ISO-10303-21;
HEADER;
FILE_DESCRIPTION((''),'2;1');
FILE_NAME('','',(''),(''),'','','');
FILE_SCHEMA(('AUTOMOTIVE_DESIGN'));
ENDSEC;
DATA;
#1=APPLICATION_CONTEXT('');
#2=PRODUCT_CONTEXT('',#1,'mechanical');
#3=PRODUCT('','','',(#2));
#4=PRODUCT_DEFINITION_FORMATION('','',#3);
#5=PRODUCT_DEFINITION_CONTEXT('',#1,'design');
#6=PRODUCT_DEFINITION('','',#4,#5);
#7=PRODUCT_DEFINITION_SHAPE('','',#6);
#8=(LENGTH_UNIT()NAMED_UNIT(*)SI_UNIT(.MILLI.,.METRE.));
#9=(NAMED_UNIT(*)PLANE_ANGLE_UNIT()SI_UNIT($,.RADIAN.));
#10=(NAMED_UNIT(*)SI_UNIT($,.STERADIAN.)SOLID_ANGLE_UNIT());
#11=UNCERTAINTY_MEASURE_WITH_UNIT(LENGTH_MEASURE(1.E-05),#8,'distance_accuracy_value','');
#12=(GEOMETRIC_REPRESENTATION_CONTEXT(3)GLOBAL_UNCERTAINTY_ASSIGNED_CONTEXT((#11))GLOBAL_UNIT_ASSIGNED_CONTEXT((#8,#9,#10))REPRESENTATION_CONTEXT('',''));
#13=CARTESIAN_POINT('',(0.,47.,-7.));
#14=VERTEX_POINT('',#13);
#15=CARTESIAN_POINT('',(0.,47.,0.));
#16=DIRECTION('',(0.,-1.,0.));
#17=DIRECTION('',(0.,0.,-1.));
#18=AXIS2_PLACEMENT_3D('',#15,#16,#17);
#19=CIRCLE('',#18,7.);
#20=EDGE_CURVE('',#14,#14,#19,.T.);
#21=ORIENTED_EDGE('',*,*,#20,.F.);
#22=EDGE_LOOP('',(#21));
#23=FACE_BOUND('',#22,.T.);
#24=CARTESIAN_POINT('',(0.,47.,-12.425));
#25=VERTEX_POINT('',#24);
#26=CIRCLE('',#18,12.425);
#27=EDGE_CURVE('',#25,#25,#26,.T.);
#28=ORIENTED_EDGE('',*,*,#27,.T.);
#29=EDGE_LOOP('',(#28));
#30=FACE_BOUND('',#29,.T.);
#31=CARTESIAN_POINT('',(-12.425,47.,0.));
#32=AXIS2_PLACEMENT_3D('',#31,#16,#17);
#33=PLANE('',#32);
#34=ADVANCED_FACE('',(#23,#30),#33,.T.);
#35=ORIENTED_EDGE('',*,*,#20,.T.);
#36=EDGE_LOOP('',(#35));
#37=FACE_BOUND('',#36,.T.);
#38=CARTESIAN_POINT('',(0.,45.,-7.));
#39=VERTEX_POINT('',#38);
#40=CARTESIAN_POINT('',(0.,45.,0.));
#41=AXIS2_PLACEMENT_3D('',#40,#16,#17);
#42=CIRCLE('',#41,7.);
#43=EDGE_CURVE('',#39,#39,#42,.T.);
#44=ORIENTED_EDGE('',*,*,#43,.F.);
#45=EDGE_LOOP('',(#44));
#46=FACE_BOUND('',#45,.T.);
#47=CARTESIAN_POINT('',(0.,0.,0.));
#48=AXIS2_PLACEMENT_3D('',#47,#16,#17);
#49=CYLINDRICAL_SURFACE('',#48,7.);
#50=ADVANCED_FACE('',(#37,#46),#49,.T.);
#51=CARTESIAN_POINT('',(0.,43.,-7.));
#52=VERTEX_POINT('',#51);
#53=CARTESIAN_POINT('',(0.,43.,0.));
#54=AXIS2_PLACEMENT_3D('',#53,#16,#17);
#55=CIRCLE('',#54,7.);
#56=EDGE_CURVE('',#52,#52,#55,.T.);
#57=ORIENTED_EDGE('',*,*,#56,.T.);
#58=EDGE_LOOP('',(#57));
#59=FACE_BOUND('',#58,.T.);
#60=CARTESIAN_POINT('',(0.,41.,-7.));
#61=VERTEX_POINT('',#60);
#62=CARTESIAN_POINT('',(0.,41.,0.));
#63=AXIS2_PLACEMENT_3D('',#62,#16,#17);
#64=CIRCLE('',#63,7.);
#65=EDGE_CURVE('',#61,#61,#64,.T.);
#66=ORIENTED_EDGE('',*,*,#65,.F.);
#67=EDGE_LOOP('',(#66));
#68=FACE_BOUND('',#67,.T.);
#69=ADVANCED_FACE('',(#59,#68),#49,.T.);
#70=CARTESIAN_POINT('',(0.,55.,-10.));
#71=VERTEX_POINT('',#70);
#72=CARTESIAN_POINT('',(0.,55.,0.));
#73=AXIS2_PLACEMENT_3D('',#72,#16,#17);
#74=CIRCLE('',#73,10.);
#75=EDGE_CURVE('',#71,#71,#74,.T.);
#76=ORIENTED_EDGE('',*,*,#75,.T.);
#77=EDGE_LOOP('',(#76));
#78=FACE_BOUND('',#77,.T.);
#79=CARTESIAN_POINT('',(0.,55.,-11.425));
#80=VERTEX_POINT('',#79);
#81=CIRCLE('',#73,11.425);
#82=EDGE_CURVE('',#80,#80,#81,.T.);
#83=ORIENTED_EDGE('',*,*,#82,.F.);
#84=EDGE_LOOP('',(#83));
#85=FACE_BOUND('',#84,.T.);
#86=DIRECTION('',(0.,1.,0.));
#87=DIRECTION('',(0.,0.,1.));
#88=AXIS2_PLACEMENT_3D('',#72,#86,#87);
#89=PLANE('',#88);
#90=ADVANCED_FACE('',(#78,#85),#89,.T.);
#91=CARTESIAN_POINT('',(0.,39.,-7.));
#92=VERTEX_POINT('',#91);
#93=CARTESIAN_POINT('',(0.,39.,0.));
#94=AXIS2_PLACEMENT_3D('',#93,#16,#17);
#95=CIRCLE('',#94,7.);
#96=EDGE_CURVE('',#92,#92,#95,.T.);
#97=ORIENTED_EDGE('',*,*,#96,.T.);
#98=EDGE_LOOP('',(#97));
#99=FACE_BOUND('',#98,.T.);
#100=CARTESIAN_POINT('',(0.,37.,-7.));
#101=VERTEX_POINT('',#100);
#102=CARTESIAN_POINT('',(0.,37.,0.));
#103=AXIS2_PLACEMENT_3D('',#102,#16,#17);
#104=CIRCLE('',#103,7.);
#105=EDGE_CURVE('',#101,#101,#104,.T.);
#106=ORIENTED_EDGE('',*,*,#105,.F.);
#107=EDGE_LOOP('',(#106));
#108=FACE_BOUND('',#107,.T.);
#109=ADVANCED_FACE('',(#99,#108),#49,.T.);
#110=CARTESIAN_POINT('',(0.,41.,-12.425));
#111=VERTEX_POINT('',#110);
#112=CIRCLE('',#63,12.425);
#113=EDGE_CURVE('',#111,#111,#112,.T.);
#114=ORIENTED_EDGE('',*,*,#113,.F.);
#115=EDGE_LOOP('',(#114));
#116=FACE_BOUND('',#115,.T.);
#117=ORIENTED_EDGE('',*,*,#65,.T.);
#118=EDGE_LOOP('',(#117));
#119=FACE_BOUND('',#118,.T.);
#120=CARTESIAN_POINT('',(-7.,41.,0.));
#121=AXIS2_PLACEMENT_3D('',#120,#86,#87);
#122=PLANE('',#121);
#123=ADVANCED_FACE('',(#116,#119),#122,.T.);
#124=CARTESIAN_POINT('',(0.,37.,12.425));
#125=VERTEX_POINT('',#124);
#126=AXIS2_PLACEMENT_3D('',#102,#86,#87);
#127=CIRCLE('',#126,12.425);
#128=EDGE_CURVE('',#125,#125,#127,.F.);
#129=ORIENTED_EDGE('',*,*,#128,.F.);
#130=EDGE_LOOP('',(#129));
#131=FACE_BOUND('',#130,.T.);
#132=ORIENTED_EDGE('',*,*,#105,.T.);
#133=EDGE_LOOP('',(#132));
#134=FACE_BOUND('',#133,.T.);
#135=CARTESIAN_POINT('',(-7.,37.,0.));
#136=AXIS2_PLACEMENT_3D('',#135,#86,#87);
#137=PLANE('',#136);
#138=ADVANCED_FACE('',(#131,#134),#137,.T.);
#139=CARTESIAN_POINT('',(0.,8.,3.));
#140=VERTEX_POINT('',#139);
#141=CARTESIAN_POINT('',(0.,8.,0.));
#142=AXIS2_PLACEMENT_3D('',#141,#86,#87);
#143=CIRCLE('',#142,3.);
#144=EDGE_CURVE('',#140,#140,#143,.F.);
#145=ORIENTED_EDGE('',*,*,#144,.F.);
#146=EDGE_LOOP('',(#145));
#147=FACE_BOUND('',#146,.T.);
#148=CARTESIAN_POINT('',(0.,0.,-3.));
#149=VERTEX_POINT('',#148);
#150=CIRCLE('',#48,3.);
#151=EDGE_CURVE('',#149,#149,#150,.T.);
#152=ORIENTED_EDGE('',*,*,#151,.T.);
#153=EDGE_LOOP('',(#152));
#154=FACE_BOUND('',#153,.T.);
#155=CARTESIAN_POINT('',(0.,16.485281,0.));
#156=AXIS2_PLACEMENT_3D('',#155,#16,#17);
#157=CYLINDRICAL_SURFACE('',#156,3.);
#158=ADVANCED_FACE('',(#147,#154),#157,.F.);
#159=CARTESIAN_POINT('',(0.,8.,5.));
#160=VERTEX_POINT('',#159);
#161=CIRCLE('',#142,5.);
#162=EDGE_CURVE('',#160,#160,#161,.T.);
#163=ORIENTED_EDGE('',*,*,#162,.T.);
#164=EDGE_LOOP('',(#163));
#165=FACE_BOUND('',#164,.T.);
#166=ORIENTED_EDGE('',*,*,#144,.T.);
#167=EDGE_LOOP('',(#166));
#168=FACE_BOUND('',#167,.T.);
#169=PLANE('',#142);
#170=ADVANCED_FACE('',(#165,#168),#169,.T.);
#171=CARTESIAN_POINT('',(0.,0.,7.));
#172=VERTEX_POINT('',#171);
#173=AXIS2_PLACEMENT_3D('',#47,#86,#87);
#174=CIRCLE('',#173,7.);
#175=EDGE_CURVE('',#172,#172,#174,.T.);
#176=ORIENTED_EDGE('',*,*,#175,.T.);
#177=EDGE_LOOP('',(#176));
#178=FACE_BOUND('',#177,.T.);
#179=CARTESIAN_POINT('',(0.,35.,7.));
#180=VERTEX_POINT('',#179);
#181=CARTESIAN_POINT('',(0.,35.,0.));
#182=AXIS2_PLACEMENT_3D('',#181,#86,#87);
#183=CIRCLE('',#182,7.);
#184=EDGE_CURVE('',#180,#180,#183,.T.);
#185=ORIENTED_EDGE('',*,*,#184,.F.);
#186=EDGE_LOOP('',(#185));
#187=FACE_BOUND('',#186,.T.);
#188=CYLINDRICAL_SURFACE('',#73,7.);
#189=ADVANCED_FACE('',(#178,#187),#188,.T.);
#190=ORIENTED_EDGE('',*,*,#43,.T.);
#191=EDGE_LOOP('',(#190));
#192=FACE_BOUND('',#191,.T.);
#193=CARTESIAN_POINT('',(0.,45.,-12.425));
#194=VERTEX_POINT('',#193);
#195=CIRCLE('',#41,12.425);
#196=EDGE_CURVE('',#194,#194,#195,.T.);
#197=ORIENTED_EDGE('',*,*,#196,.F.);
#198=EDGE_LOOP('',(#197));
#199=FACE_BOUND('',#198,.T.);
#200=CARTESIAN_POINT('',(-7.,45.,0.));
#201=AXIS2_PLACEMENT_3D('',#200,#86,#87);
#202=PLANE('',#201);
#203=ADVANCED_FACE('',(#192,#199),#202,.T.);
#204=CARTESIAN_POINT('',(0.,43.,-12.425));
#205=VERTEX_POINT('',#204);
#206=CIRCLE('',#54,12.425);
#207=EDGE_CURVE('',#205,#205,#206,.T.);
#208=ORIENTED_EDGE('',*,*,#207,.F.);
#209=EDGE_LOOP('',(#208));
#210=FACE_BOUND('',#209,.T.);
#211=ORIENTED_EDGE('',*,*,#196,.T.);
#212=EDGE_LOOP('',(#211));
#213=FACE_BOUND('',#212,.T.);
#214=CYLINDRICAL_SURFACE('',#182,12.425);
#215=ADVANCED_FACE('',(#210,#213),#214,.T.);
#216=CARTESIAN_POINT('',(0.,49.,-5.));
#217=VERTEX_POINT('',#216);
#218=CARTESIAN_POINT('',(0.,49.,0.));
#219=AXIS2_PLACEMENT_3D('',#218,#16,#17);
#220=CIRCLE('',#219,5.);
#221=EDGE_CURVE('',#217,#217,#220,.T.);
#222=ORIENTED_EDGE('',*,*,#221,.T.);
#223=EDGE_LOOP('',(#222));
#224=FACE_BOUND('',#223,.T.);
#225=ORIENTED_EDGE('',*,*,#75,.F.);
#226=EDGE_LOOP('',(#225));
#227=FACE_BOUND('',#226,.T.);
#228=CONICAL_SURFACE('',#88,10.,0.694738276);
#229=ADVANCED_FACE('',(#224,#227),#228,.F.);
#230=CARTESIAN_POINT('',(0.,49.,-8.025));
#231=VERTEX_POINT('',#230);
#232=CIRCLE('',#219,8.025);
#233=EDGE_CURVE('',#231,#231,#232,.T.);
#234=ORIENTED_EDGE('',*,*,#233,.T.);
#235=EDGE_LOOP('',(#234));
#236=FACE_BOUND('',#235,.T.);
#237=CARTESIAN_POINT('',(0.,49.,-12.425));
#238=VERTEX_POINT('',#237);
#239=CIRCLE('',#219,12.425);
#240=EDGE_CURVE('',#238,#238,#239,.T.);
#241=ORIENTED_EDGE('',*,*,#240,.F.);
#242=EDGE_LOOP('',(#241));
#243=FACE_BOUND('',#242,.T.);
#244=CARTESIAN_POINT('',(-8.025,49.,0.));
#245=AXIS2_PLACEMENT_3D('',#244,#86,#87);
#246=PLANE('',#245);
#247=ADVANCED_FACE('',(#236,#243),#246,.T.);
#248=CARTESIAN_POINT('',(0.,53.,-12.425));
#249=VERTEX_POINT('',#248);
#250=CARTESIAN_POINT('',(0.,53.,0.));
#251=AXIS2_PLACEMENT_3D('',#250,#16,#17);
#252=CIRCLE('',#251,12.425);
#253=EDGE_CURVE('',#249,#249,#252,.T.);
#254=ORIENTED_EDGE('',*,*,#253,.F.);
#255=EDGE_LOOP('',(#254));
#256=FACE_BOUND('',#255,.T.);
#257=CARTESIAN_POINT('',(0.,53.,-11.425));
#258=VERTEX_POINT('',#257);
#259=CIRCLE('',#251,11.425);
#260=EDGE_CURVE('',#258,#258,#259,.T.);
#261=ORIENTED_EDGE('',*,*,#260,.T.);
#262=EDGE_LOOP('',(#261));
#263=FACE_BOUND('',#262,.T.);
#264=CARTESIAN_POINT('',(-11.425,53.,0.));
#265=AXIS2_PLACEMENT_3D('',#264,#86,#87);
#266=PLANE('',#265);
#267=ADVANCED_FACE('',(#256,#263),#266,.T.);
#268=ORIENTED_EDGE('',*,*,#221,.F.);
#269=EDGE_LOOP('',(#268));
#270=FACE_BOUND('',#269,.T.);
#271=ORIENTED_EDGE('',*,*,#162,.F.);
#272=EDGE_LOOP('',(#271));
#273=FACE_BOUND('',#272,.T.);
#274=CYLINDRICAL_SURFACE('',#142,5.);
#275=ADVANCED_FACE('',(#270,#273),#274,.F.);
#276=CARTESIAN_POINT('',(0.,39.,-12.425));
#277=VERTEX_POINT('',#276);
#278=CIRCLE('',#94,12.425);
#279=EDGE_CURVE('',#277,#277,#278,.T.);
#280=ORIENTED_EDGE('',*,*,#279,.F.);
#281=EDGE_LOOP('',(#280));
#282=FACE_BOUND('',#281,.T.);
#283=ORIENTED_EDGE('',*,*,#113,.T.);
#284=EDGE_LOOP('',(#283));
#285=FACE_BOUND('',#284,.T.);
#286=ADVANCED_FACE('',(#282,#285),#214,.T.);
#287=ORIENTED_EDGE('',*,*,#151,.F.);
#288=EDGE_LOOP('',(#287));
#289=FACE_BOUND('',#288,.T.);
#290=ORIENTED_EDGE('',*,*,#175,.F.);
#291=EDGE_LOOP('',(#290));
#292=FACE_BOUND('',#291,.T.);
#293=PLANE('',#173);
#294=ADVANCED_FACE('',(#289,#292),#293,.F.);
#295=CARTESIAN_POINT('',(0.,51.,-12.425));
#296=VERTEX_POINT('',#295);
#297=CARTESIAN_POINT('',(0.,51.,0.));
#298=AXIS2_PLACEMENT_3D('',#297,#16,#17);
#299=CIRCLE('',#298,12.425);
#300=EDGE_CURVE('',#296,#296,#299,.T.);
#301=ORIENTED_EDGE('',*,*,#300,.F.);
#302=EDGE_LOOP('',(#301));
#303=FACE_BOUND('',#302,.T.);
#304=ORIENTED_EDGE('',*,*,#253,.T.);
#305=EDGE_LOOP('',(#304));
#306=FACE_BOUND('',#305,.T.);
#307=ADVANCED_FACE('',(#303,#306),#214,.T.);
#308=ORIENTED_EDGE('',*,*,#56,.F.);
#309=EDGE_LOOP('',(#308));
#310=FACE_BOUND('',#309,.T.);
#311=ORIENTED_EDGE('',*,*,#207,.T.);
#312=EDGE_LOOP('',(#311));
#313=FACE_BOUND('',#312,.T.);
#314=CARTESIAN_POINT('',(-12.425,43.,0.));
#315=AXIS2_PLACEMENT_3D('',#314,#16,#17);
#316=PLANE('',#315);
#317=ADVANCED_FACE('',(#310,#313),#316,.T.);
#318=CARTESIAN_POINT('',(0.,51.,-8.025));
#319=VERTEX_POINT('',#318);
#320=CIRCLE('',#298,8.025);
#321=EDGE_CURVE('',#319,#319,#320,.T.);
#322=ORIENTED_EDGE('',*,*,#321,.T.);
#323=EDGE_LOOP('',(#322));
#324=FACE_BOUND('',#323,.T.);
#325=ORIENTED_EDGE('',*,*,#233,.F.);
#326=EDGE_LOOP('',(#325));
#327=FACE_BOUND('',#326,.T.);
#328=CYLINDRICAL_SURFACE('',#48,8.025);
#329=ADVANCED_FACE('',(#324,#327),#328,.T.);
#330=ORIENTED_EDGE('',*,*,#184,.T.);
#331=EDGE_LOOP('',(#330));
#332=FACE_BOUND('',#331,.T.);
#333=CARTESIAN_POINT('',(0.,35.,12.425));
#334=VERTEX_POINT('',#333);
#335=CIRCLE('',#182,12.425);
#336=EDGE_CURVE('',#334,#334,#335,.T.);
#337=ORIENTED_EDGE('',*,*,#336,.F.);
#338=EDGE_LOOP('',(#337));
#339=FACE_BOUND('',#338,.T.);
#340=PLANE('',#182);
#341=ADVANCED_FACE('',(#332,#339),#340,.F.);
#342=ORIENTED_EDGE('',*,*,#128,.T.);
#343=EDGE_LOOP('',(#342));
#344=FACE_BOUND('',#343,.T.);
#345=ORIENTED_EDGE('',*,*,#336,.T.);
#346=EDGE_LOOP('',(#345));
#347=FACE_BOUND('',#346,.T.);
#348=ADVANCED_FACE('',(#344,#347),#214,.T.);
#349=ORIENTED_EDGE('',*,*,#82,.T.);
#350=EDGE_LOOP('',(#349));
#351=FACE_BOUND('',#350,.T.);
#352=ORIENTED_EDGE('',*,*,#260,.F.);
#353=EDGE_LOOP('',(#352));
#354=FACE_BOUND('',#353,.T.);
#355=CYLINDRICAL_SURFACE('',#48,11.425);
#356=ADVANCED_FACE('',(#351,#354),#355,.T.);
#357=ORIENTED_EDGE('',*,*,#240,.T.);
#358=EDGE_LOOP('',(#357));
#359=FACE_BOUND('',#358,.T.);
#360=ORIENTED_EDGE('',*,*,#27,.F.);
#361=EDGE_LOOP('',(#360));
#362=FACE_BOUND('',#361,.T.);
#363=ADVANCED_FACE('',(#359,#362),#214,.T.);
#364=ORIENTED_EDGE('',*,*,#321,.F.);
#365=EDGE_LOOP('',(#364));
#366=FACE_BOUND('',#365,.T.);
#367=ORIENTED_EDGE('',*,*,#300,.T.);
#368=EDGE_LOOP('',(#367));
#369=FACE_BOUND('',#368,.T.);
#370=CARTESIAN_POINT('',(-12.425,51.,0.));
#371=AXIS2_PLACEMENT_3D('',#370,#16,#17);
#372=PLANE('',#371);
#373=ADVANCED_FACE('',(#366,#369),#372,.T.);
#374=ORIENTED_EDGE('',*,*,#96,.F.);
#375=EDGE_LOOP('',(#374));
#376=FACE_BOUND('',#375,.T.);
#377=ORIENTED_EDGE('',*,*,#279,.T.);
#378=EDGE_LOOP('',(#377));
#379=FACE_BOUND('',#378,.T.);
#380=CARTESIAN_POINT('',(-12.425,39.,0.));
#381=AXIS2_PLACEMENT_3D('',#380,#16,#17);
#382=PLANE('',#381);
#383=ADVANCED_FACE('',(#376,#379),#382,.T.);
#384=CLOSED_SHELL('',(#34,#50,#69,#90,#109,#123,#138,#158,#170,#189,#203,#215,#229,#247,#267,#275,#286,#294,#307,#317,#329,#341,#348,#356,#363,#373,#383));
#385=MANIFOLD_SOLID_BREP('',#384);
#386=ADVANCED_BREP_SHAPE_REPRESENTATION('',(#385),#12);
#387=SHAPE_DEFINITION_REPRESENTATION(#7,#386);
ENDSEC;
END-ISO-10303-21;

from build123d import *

# Parameters (mm, degrees)
CROQUIS2_R              = 7
SALIENTE_EXTRUIR1_DEPTH = 55
CROQUIS3_R              = 12.425
SALIENTE_EXTRUIR2_DEPTH = 20
CROQUIS4_R              = 5
CORTAR_EXTRUIR1_DEPTH   = 47
CROQUIS7_R              = 3
CORTAR_EXTRUIR2_DEPTH   = 8


with BuildPart() as part:
    # Croquis2 → Saliente-Extruir1 (new body)
    with BuildSketch(Plane(origin=(0, 0, 0), x_dir=(1, 0, 0), z_dir=(0, 1, 0))):
        with Locations(Location((0, 0, 0), (0, 0, 270))):
            Circle(CROQUIS2_R)
    extrude(amount=SALIENTE_EXTRUIR1_DEPTH)

    # Croquis3 → Saliente-Extruir2 (add)
    with BuildSketch(Plane(origin=(0, 55, 0), x_dir=(1, 0, 0), z_dir=(0, 1, 0))):
        with Locations(Location((0, 0, 0), (0, 0, 270))):
            Circle(CROQUIS3_R)
    extrude(amount=-SALIENTE_EXTRUIR2_DEPTH)

    # Croquis4 → Cortar-Extruir1 (cut)
    with BuildSketch(Plane(origin=(0, 55, 0), x_dir=(1, 0, 0), z_dir=(0, 1, 0))):
        with Locations(Location((0, 0, 0), (0, 0, 270))):
            Circle(CROQUIS4_R)
    extrude(amount=-CORTAR_EXTRUIR1_DEPTH, mode=Mode.SUBTRACT)

    # Croquis7 → Cortar-Extruir2 (cut)
    with BuildSketch(Plane.XZ):
        with Locations(Location((0, 0, 0), (0, 0, 270))):
            Circle(CROQUIS7_R)
    extrude(amount=-CORTAR_EXTRUIR2_DEPTH, mode=Mode.SUBTRACT)

    # Croquis5 → Cortar-Revolución1 (revolve, cut)
    with BuildSketch(Plane.XY, mode=Mode.PRIVATE) as cortar_revoluci_n1_sk:
        Polygon((-5, 49), (0, 49), (0, 63.271347918), (-20.39383665, 63.271347918), (-20.39383665, 37), (-12.425, 37), (-7, 37), (-7, 39), (-12.425, 39), (-12.425, 41), (-7, 41), (-7, 43), (-12.425, 43), (-12.425, 45), (-7, 45), (-7, 47), (-12.425, 47), (-12.425, 49), (-8.025, 49), (-8.025, 51), (-12.425, 51), (-12.425, 53), (-11.425, 53), (-11.425, 55), (-10, 55), align=None)
    revolve(cortar_revoluci_n1_sk.sketch.rotate(Axis((0, 0, 0), (0, 1, 0)), 270), axis=Axis((0, 0, 0), (0, 1, 0)), mode=Mode.SUBTRACT)


solid = part.part
